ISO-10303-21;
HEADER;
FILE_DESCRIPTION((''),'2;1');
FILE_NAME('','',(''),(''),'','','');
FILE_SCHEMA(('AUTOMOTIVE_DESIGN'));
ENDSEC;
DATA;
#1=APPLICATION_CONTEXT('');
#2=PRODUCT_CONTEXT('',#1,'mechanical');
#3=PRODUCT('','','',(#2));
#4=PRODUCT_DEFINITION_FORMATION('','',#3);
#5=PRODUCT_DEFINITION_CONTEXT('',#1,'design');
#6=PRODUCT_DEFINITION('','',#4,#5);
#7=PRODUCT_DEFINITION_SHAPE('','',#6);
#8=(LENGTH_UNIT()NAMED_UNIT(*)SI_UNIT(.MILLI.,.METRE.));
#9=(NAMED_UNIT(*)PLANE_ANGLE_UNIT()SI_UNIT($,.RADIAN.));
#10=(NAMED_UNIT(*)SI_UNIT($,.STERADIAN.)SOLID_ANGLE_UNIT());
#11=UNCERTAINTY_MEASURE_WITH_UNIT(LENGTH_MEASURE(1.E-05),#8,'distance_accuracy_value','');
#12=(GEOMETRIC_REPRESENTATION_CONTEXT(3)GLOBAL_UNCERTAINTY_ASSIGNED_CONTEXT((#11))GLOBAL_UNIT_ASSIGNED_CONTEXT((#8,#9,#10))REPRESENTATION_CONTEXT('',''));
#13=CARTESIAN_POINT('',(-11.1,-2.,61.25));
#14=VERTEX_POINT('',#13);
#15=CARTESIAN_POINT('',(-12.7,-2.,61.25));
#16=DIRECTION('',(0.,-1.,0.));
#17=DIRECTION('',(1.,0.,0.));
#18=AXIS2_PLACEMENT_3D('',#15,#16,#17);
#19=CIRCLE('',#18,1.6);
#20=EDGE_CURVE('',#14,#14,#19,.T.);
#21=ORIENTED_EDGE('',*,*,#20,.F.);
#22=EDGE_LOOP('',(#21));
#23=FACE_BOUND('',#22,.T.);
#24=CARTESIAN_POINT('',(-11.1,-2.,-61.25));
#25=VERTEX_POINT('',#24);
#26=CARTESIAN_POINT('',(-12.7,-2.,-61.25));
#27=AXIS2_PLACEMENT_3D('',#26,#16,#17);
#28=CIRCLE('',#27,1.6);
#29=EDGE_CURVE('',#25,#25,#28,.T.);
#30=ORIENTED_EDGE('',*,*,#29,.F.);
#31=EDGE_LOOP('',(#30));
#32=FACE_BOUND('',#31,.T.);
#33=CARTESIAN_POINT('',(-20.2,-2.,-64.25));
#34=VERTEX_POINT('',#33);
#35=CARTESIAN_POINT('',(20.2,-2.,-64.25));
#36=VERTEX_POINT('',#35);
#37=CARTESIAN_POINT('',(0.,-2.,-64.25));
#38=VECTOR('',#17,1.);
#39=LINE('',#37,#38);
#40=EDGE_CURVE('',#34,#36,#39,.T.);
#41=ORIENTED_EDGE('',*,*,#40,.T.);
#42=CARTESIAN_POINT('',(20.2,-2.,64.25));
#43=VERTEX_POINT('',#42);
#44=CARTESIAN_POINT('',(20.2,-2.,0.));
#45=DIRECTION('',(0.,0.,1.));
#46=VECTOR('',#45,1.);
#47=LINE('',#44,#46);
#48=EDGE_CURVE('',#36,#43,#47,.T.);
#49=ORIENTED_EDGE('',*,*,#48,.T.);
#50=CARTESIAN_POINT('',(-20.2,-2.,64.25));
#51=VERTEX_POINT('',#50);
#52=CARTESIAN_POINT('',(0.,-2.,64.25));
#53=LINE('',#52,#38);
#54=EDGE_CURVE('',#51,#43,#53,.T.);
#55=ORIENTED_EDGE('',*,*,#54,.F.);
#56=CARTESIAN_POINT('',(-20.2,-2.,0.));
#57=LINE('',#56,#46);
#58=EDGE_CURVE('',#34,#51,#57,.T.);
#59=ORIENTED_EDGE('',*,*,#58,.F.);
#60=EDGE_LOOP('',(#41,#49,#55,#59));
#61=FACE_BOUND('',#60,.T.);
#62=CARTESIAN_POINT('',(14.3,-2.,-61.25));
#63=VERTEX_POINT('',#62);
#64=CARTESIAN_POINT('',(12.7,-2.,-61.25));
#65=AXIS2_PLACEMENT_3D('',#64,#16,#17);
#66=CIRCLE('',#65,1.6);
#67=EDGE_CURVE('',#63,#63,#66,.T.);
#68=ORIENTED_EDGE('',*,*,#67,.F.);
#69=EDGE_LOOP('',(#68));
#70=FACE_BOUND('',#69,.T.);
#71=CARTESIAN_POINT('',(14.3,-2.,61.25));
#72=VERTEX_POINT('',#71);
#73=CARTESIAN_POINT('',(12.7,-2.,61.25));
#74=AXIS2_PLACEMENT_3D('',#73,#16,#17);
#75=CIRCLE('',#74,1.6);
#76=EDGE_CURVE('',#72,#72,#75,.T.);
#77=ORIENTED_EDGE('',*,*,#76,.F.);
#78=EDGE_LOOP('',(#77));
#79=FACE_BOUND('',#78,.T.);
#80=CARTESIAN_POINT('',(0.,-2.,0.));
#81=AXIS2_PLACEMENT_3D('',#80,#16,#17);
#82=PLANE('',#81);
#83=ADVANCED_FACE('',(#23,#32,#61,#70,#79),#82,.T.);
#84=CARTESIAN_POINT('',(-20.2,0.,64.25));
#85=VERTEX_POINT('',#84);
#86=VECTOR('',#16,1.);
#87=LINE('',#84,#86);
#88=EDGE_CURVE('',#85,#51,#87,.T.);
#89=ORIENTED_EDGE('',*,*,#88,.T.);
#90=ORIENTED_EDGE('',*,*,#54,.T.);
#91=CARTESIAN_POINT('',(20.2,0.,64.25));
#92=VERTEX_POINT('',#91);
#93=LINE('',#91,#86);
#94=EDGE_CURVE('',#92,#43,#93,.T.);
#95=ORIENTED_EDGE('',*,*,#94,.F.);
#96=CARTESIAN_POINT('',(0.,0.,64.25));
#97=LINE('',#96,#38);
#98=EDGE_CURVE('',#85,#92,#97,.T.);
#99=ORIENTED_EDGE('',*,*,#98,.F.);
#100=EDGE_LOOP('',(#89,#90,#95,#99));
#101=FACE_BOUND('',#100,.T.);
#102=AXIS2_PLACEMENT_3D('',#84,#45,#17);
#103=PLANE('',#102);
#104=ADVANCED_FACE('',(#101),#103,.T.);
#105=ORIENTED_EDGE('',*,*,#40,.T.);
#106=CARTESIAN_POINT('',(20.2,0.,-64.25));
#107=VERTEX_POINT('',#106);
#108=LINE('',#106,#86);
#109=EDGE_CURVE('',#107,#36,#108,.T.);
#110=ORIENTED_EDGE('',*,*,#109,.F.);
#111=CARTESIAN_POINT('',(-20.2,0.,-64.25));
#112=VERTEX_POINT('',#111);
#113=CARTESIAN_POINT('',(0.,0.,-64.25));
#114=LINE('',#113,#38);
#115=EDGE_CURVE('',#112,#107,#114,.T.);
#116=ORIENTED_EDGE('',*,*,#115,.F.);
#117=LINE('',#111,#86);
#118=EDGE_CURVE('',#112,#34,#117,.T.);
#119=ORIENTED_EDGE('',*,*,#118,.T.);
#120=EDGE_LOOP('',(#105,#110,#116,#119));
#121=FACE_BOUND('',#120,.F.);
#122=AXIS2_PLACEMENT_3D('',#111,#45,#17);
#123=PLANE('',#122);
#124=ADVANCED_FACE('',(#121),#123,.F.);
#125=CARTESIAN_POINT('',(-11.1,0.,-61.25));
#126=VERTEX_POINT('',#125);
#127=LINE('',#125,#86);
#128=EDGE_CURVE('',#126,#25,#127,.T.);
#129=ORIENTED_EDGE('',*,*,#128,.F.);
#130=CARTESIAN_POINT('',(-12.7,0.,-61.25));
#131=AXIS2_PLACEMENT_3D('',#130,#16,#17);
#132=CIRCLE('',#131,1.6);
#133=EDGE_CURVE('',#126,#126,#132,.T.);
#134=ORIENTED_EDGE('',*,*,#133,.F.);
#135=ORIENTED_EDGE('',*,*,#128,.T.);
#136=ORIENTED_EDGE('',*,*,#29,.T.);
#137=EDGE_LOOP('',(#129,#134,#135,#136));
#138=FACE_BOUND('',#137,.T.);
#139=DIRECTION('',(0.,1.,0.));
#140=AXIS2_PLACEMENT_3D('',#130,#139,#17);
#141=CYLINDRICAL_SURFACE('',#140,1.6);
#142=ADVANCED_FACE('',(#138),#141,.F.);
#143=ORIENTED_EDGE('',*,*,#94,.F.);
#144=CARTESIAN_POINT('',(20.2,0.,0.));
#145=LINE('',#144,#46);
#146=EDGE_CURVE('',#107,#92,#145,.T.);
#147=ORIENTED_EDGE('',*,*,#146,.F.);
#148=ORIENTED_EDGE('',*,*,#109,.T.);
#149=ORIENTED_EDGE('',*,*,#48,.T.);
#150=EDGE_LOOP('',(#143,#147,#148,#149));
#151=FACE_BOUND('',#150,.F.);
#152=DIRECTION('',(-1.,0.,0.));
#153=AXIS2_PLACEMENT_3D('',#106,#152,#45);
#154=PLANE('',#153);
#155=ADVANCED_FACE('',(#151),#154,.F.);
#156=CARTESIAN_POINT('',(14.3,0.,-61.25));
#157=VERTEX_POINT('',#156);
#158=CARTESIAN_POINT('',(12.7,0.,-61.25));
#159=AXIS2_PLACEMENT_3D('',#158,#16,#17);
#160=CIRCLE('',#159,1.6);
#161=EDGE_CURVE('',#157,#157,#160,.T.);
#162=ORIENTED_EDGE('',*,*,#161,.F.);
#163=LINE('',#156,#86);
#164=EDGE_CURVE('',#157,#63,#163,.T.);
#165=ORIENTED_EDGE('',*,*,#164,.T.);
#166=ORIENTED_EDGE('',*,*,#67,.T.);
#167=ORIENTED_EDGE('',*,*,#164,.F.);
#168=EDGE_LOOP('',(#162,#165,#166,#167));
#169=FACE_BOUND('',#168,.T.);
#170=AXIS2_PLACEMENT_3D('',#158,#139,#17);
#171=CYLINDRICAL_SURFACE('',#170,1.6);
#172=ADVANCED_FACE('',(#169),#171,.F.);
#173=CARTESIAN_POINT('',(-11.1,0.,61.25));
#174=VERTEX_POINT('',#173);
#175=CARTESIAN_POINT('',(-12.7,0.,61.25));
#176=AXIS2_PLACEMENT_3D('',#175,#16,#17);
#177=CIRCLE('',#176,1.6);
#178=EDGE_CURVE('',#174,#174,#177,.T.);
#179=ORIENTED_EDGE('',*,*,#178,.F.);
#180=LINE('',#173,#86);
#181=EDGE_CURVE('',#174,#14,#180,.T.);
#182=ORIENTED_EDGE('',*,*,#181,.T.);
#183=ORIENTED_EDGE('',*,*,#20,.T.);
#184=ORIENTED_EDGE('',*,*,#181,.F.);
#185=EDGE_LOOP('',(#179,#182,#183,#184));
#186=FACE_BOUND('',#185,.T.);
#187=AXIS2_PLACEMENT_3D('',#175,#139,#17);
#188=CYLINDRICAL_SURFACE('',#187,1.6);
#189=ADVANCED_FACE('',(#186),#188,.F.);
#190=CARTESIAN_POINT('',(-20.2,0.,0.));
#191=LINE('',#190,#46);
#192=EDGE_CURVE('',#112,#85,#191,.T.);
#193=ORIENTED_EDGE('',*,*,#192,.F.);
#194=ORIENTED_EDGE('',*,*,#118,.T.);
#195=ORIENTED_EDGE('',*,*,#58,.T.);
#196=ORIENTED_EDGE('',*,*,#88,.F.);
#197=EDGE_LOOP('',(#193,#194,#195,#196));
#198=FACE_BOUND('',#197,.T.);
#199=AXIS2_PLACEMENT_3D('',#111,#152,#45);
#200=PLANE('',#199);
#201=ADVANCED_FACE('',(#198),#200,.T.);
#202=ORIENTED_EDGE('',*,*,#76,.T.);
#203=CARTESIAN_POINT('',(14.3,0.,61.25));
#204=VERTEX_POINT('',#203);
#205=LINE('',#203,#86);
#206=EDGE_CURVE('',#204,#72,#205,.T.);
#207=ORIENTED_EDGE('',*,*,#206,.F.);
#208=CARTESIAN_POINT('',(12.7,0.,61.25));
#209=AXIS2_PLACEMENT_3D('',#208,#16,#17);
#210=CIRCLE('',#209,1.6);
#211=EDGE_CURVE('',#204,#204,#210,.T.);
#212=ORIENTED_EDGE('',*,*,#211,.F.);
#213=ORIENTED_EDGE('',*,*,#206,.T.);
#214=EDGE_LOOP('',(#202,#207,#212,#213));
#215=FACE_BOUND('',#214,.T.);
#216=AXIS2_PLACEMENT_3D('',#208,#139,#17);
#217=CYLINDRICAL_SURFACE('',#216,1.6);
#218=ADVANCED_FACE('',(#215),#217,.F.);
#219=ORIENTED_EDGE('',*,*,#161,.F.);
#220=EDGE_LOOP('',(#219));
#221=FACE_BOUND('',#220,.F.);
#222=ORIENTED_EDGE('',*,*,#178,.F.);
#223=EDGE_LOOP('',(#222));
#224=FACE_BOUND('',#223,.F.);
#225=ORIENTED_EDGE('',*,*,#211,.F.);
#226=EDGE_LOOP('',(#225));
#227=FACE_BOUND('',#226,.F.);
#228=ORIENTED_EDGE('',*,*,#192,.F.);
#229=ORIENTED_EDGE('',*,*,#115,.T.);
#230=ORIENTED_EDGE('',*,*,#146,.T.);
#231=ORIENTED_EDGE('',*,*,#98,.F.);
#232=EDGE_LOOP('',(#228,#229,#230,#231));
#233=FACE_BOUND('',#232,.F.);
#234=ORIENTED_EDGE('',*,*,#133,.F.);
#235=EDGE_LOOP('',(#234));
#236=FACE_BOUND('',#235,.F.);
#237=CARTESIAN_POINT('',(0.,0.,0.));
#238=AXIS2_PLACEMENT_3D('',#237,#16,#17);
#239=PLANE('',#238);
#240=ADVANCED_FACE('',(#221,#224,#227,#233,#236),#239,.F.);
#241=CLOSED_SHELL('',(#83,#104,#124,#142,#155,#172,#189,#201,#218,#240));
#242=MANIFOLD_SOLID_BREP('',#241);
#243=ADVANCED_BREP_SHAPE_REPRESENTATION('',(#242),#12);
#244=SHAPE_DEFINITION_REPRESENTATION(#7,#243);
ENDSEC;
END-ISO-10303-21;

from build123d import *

# Parameters (mm, degrees)
SKETCH_W  = 40.4
SKETCH_H  = 128.5
SKETCH_R  = 1.6
PAD_DEPTH = 2


with BuildPart() as part:
    # Sketch → Pad (new body)
    with BuildSketch(Plane.XZ):
        Rectangle(SKETCH_W, SKETCH_H)
        with Locations((-12.7, 61.25)):
            Circle(SKETCH_R, mode=Mode.SUBTRACT)
        with Locations((12.7, 61.25)):
            Circle(SKETCH_R, mode=Mode.SUBTRACT)
        with Locations((12.7, -61.25)):
            Circle(SKETCH_R, mode=Mode.SUBTRACT)
        with Locations((-12.7, -61.25)):
            Circle(SKETCH_R, mode=Mode.SUBTRACT)
    extrude(amount=PAD_DEPTH)


solid = part.part
